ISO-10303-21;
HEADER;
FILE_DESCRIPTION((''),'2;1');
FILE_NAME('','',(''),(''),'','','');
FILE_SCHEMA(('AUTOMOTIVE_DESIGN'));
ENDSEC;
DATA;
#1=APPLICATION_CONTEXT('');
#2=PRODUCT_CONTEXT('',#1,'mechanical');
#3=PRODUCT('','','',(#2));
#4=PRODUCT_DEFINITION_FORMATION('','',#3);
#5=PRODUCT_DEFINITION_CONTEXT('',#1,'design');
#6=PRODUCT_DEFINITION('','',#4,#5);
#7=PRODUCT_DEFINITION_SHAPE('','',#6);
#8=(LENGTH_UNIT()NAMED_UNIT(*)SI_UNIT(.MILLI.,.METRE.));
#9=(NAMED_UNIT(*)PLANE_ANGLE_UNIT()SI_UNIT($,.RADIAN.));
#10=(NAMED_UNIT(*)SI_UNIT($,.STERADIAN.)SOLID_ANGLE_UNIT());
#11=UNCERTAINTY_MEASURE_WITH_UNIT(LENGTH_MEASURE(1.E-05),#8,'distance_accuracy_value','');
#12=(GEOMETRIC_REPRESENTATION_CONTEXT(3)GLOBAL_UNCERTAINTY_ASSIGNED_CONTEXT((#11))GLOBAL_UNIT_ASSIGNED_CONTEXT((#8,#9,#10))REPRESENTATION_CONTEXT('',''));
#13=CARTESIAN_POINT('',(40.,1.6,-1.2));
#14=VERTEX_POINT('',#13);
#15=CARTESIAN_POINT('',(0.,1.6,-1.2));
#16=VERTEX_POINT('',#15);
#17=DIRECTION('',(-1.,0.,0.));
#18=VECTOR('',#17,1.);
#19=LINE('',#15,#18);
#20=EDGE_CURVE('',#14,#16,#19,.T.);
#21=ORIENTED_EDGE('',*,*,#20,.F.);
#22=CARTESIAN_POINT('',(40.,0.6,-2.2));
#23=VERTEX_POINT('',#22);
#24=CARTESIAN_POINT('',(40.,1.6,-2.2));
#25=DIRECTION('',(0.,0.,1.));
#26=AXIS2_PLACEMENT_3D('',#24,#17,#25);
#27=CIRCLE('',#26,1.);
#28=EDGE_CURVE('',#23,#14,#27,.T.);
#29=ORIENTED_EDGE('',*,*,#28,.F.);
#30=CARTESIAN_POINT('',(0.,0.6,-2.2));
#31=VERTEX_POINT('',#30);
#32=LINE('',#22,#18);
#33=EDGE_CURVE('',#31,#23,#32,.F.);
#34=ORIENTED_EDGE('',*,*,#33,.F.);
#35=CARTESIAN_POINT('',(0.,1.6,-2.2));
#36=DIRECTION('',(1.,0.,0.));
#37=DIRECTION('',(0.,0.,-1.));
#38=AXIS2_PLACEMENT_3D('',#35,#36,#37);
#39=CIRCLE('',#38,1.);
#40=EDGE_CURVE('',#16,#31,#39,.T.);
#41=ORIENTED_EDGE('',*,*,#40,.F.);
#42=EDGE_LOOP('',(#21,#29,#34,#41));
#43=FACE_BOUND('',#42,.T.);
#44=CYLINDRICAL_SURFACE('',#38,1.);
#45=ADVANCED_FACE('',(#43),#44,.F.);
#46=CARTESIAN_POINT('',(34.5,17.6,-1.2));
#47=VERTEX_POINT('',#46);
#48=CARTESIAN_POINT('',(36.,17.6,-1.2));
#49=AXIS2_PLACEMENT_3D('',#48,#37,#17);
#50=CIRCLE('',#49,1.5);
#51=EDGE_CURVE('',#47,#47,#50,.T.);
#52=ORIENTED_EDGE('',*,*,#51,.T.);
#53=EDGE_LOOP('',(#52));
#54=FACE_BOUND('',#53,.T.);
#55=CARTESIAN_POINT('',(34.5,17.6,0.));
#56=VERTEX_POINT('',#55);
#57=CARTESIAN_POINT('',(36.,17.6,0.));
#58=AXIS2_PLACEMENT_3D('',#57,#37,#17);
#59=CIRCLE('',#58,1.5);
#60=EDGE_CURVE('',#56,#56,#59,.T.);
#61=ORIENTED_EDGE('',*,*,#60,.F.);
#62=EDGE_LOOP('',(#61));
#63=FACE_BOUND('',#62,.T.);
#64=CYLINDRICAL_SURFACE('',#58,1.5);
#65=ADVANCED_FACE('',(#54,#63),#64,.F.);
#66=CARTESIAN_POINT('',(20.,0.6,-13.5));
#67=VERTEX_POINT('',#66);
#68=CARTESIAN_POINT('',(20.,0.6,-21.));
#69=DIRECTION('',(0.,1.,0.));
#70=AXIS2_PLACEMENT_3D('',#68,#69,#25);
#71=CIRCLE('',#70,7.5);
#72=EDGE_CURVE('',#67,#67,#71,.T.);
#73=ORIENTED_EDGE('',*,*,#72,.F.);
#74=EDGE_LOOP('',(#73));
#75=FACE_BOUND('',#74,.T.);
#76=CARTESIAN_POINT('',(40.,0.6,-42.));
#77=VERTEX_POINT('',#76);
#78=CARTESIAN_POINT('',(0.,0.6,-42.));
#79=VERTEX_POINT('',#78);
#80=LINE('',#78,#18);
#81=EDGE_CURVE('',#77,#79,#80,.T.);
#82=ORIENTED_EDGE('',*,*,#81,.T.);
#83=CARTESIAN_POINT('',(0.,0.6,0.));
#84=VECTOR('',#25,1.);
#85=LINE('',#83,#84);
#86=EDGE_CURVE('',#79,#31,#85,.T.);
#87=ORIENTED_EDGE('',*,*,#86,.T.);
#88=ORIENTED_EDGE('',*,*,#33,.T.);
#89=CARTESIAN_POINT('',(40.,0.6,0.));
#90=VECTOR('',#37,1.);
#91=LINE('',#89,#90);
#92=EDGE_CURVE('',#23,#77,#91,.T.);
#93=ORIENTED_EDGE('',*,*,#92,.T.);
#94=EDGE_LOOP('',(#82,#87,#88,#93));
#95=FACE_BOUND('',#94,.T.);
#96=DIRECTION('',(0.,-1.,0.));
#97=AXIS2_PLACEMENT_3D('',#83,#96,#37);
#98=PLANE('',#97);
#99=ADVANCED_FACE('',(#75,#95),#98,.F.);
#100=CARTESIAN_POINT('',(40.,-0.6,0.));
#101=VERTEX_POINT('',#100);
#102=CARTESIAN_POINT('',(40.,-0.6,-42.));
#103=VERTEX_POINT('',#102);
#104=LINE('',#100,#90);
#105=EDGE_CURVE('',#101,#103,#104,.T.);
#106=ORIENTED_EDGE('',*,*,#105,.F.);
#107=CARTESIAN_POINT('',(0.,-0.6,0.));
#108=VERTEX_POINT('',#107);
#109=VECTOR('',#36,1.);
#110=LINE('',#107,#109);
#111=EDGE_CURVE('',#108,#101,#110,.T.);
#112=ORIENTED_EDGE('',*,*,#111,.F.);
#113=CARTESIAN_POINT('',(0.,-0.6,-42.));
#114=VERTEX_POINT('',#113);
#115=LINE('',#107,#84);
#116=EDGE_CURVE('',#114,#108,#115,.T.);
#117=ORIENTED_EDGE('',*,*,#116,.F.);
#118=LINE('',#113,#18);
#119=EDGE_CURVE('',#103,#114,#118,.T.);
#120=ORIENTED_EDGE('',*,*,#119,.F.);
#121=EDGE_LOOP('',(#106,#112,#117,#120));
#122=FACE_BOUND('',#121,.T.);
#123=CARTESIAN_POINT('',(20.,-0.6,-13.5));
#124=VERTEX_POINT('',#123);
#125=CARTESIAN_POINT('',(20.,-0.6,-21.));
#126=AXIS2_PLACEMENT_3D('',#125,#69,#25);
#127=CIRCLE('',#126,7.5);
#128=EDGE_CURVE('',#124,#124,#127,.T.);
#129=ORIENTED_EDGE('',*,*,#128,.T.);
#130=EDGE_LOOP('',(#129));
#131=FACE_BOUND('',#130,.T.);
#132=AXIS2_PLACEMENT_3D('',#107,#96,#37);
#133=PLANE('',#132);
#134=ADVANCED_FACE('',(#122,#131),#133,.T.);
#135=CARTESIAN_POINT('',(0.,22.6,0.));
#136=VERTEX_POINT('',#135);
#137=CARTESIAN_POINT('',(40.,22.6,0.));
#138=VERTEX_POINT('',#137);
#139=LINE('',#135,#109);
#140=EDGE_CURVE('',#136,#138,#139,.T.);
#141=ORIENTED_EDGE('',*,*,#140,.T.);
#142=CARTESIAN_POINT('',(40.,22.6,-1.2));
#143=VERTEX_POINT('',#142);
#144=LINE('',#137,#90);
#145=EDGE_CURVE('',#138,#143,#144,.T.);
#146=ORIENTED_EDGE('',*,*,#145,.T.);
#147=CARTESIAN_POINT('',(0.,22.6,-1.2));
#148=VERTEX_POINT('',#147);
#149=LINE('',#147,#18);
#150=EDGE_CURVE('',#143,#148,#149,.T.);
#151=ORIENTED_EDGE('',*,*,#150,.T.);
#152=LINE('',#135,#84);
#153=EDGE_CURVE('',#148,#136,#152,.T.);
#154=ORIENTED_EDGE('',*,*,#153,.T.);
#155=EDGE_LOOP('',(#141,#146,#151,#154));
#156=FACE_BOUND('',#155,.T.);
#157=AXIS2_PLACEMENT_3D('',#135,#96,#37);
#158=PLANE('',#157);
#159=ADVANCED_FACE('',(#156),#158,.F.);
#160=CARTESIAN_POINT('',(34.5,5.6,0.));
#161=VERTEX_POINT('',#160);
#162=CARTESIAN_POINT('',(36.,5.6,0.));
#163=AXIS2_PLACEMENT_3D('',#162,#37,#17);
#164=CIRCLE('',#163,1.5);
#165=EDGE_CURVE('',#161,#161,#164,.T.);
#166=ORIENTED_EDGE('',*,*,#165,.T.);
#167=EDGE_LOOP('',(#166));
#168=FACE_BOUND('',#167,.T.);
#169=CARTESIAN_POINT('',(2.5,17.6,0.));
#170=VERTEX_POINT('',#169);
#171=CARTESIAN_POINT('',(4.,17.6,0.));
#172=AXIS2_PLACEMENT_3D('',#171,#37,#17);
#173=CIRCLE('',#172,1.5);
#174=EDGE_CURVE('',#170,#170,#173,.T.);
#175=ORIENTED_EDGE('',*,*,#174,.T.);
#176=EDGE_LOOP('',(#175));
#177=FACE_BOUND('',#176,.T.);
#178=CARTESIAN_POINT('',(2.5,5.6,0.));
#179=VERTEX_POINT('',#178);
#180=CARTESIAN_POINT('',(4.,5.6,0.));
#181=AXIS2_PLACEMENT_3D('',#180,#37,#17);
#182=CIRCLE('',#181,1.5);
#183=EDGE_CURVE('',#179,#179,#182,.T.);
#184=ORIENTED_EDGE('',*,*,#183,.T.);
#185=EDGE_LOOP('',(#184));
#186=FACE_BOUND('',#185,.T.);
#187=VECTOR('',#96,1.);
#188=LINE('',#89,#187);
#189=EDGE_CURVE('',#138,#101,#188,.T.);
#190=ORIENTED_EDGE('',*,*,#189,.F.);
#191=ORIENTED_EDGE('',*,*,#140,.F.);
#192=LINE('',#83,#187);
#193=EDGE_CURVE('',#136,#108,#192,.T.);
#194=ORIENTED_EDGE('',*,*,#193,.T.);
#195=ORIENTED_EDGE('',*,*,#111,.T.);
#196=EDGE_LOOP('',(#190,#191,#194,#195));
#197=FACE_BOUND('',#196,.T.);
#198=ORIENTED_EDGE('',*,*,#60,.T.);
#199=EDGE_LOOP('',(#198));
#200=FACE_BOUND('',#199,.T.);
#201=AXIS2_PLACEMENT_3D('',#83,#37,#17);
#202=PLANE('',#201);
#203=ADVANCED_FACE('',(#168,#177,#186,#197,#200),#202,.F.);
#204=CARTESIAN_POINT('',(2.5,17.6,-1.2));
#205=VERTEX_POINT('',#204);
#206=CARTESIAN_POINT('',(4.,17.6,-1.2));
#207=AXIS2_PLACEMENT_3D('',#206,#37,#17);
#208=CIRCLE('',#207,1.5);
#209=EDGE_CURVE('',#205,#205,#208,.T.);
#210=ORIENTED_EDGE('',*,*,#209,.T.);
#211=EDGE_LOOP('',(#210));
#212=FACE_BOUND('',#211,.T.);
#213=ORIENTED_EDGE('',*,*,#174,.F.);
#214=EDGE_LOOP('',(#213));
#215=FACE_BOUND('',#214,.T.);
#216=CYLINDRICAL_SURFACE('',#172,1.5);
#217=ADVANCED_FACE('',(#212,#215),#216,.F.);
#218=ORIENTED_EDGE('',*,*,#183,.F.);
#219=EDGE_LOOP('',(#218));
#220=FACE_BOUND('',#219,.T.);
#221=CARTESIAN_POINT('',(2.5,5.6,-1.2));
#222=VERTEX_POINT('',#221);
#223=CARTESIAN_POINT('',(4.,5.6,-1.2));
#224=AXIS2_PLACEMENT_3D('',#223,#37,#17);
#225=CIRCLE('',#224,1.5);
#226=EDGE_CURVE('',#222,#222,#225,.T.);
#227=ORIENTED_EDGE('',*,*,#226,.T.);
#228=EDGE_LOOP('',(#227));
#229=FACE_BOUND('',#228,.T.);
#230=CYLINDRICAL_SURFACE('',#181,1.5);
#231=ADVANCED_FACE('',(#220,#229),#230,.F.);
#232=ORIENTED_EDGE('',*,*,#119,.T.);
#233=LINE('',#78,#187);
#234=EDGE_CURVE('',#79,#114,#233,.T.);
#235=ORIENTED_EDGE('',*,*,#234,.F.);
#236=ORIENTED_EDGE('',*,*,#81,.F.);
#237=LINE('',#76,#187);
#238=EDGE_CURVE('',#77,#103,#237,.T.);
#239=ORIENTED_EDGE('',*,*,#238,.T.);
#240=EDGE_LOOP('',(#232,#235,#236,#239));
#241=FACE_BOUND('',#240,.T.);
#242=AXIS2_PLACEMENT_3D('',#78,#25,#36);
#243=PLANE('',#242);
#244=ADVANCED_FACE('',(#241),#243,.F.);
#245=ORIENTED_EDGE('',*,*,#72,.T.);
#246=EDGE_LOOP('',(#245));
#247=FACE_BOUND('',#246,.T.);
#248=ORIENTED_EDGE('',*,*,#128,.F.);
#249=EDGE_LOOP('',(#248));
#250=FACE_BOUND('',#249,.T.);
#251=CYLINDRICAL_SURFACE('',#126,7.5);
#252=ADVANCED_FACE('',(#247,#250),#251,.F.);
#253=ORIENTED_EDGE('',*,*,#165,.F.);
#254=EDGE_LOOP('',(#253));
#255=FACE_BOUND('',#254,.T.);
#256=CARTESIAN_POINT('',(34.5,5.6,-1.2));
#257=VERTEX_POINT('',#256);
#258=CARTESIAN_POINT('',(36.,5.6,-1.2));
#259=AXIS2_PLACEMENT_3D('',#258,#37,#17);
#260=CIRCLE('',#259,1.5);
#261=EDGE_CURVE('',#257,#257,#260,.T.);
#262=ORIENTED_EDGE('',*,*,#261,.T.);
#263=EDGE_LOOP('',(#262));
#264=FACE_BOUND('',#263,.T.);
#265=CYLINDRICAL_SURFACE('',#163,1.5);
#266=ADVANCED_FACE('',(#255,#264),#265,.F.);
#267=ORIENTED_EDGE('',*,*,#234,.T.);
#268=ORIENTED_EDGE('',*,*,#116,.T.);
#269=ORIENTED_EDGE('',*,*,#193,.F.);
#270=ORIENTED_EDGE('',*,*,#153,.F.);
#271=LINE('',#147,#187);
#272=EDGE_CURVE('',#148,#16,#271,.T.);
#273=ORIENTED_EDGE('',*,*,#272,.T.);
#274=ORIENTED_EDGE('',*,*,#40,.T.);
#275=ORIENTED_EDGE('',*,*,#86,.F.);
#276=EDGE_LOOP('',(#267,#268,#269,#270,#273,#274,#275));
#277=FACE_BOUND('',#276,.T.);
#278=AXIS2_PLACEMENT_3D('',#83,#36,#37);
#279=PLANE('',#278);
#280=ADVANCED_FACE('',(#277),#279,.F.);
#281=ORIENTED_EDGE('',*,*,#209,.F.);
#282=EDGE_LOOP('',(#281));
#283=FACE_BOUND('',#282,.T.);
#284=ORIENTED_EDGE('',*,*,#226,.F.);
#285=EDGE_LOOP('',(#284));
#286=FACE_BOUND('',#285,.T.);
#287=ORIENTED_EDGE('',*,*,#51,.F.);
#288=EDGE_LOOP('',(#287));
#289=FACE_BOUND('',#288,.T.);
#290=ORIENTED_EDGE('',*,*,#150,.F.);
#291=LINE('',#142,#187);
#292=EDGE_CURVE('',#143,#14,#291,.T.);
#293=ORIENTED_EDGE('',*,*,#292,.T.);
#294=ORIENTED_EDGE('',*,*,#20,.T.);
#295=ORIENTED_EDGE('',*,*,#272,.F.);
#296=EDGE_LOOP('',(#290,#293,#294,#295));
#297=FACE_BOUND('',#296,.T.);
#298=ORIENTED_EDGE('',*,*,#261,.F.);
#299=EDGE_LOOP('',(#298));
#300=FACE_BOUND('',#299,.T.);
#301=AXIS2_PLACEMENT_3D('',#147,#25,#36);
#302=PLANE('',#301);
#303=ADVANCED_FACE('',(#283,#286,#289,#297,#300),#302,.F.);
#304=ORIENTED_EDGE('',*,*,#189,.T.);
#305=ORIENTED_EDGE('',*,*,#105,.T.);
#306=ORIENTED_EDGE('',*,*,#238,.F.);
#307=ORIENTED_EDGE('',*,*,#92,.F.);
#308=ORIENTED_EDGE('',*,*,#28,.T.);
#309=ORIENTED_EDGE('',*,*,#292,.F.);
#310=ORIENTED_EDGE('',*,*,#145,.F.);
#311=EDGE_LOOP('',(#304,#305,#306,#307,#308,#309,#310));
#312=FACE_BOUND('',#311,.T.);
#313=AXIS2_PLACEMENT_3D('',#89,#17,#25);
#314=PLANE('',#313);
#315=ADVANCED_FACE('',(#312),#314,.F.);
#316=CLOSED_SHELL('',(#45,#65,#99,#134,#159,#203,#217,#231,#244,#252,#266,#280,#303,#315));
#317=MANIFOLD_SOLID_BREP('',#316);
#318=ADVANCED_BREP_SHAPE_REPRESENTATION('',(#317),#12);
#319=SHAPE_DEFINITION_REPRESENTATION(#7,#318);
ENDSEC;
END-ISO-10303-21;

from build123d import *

# Parameters (mm, degrees)
SKETCH1_W           = 40
SKETCH1_H           = 42
BOSS_EXTRUDE1_DEPTH = 0.6
SKETCH3_R           = 7.5
CUT_EXTRUDE1_DEPTH  = 59.012412465
SKETCH4_W           = 40
SKETCH4_H           = 1.2
BOSS_EXTRUDE2_DEPTH = 22
SKETCH5_R           = 1.5
CUT_EXTRUDE2_DEPTH  = 62.444283705
FILLET1_R           = 1


with BuildPart() as part:
    # Sketch1 → Boss-Extrude1 (new, symmetric)
    with BuildSketch(Plane(origin=(0, 0, 0), x_dir=(1, 0, 0), z_dir=(0, 1, 0))):
        with Locations((20, 21)):
            Rectangle(SKETCH1_W, SKETCH1_H)
    extrude(amount=BOSS_EXTRUDE1_DEPTH, both=True)

    # Sketch3 → Cut-Extrude1 (cut, through all)
    with BuildSketch(Plane(origin=(0, 0.6, 0), x_dir=(1, 0, 0), z_dir=(0, 1, 0))):
        with Locations(Location((20, 21, 0), (0, 0, 270))):
            Circle(SKETCH3_R)
    extrude(amount=-CUT_EXTRUDE1_DEPTH, mode=Mode.SUBTRACT)

    # Sketch4 → Boss-Extrude2 (add)
    with BuildSketch(Plane(origin=(0, 0.6, 0), x_dir=(1, 0, 0), z_dir=(0, 1, 0))):
        with Locations((20, 0.6)):
            Rectangle(SKETCH4_W, SKETCH4_H)
    extrude(amount=BOSS_EXTRUDE2_DEPTH)

    # Sketch5 → Cut-Extrude2 (cut, through all)
    with BuildSketch(Plane(origin=(0, 0, -1.2), x_dir=(-1, 0, 0), z_dir=(0, 0, -1))):
        with Locations((-36, 17.6)):
            Circle(SKETCH5_R)
        with Locations((-36, 5.6)):
            Circle(SKETCH5_R)
        with Locations((-4, 17.6)):
            Circle(SKETCH5_R)
        with Locations((-4, 5.6)):
            Circle(SKETCH5_R)
    extrude(amount=-CUT_EXTRUDE2_DEPTH, mode=Mode.SUBTRACT)

    # Fillet1
    fillet1_edges = [part.edges().sort_by_distance(p)[0] for p in [
        (20, 0.6, -1.2),
    ]]
    fillet(fillet1_edges, radius=FILLET1_R)


solid = part.part
